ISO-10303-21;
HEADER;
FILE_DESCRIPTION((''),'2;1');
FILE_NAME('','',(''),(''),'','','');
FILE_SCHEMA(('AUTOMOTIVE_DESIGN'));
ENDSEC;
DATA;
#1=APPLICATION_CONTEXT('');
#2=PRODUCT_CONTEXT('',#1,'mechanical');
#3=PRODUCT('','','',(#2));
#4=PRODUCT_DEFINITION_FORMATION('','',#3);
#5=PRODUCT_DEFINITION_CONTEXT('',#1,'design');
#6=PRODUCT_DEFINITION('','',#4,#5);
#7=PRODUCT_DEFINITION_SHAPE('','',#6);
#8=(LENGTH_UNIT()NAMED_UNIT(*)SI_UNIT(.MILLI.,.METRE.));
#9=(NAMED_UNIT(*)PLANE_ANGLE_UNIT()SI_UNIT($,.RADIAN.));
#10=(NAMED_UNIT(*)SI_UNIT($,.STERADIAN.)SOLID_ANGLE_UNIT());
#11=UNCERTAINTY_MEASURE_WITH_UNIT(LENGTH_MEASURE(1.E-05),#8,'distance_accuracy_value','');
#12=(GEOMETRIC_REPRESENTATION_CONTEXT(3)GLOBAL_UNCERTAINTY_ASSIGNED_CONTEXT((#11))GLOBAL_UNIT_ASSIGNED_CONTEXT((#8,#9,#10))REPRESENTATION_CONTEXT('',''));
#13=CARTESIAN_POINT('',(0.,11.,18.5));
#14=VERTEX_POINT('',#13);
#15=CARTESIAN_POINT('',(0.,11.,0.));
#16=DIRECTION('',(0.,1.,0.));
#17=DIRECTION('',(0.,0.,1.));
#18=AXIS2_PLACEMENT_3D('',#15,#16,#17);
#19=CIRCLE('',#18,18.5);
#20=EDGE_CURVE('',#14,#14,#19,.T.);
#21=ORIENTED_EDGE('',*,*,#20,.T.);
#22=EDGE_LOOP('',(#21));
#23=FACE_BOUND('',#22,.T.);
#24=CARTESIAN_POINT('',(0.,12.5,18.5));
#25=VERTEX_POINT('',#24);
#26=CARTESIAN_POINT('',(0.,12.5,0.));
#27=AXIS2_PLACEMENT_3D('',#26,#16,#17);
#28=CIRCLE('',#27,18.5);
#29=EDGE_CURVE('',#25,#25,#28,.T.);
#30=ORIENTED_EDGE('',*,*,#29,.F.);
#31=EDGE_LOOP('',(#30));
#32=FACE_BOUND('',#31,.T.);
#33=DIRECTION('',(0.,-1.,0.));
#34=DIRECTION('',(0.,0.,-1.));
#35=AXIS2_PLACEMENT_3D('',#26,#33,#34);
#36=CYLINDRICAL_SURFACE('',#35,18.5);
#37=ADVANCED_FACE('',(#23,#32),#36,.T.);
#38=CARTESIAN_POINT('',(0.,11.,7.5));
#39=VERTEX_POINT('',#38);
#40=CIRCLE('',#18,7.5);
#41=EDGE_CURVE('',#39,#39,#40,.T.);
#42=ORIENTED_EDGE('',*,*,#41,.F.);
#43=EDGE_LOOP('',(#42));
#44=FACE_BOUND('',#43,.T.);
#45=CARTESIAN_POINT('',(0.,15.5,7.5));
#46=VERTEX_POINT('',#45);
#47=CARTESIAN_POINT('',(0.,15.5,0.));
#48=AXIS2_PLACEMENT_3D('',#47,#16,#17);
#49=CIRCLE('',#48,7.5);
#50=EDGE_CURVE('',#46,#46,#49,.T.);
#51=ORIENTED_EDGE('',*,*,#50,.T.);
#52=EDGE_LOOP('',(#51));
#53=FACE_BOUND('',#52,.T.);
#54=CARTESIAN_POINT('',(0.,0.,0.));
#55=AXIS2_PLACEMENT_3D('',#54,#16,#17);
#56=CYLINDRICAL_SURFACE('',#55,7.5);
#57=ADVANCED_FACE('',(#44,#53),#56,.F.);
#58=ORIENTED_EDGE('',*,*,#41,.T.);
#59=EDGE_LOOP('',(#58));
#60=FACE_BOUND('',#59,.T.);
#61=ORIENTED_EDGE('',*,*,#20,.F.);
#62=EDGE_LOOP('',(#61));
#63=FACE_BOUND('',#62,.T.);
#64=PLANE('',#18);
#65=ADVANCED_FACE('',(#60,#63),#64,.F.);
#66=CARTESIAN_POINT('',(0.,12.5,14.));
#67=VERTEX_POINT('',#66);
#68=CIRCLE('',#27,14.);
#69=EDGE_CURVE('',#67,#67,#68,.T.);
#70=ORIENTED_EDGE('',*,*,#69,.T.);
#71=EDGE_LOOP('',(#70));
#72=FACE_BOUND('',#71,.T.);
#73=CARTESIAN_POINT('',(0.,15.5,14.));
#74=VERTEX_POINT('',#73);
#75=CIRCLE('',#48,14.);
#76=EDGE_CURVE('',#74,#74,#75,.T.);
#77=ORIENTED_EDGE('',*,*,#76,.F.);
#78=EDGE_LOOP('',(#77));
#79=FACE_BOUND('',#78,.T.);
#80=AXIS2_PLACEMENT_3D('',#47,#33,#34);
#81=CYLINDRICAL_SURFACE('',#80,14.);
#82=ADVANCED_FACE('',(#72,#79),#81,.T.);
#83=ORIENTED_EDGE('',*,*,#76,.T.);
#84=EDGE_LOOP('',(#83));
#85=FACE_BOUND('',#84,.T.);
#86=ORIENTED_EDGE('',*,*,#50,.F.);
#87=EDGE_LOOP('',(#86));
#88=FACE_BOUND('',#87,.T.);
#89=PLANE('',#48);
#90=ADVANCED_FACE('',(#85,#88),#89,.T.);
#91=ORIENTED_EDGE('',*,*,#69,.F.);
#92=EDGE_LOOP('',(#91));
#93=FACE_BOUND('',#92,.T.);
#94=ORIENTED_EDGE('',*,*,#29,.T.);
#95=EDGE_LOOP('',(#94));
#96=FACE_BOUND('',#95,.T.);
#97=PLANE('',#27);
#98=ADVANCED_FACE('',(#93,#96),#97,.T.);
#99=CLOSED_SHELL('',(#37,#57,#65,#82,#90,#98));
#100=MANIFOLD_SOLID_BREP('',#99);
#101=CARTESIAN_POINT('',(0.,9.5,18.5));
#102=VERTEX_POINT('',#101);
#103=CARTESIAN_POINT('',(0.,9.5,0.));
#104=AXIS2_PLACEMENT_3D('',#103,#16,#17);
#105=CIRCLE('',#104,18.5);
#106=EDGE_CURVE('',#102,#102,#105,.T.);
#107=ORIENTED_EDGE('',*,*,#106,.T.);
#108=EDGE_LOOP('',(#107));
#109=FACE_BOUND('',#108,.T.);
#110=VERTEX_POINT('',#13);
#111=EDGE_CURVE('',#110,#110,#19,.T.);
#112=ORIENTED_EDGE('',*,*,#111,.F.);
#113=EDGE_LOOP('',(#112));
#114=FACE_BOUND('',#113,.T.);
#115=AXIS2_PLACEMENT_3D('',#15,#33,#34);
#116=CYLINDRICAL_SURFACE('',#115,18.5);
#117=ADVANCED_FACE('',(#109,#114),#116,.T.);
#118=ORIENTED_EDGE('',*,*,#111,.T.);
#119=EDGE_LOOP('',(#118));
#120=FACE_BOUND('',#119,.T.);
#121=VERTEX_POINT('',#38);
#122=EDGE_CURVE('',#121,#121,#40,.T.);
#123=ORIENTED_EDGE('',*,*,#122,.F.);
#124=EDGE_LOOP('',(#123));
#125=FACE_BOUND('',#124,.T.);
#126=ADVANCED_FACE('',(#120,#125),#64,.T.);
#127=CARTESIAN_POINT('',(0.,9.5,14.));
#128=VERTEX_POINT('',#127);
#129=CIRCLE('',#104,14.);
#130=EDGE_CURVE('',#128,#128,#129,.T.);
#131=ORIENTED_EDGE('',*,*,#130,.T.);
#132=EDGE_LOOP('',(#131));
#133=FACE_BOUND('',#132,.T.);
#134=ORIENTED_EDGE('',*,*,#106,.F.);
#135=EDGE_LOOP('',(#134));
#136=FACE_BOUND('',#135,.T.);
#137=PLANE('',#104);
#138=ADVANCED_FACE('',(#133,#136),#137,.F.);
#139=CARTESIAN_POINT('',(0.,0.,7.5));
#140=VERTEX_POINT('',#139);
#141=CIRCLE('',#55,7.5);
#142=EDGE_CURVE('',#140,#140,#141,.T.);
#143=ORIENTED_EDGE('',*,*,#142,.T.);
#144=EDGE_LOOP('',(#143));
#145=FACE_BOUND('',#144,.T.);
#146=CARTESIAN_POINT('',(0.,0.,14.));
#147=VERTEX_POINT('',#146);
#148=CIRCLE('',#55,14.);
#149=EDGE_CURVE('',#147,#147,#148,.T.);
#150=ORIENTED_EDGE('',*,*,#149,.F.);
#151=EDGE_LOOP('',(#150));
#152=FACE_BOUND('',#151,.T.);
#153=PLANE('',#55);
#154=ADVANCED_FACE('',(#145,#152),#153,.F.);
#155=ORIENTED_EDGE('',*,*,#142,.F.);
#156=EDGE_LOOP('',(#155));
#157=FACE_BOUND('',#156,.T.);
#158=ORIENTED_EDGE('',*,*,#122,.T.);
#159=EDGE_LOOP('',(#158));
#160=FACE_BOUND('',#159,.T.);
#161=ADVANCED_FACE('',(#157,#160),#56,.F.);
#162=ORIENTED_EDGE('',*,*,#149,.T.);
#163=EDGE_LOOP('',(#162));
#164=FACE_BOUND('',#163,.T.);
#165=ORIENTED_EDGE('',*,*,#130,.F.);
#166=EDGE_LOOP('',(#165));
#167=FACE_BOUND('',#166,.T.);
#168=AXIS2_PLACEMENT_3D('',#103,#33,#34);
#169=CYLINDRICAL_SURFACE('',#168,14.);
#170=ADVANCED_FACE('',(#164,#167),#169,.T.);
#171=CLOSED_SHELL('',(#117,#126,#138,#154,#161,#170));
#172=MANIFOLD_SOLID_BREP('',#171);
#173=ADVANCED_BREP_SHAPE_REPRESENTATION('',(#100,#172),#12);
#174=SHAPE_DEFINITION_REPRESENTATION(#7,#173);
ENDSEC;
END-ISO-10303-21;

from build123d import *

# Parameters (mm, degrees)
SKETCH2_R           = 14
BOSS_EXTRUDE1_DEPTH = 9.5
SKETCH3_R           = 18.5
BOSS_EXTRUDE2_DEPTH = 1.5
SKETCH4_R           = 18.5
BOSS_EXTRUDE5_DEPTH = 1.5
SKETCH7_R           = 14
BOSS_EXTRUDE6_DEPTH = 3
SKETCH8_R           = 7.5
CUT_EXTRUDE2_DEPTH  = 16.5


with BuildPart() as part:
    # Sketch2 → Boss-Extrude1 (new body)
    with BuildSketch(Plane(origin=(0, 0, 0), x_dir=(1, 0, 0), z_dir=(0, 1, 0))):
        Circle(SKETCH2_R)
    extrude(amount=BOSS_EXTRUDE1_DEPTH)

    # Sketch3 → Boss-Extrude2 (add)
    with BuildSketch(Plane(origin=(0, 9.5, 0), x_dir=(1, 0, 0), z_dir=(0, 1, 0))):
        Circle(SKETCH3_R)
    extrude(amount=BOSS_EXTRUDE2_DEPTH)


with BuildPart() as body_2:
    # Sketch4 → Boss-Extrude5 (new body)
    with BuildSketch(Plane(origin=(0, 11, 0), x_dir=(1, 0, 0), z_dir=(0, 1, 0))):
        Circle(SKETCH4_R)
    extrude(amount=BOSS_EXTRUDE5_DEPTH)

    # Sketch7 → Boss-Extrude6 (add)
    with BuildSketch(Plane(origin=(0, 12.5, 0), x_dir=(1, 0, 0), z_dir=(0, 1, 0))):
        Circle(SKETCH7_R)
    extrude(amount=BOSS_EXTRUDE6_DEPTH)


with BuildPart() as cut_extrude2_tool:
    # Sketch8 → Cut-Extrude2 (new body, through all)
    with BuildSketch(Plane(origin=(0, 15.5, 0), x_dir=(1, 0, 0), z_dir=(0, 1, 0))):
        Circle(SKETCH8_R)
    extrude(amount=-CUT_EXTRUDE2_DEPTH)


with BuildPart() as part_1:
    add(part.part)

    # Cut-Extrude2: cut by cut_extrude2_tool
    add(cut_extrude2_tool.part, mode=Mode.SUBTRACT)


with BuildPart() as body_2_1:
    add(body_2.part)

    # Cut-Extrude2: cut by cut_extrude2_tool
    add(cut_extrude2_tool.part, mode=Mode.SUBTRACT)


solid = Compound([part_1.part, body_2_1.part])
